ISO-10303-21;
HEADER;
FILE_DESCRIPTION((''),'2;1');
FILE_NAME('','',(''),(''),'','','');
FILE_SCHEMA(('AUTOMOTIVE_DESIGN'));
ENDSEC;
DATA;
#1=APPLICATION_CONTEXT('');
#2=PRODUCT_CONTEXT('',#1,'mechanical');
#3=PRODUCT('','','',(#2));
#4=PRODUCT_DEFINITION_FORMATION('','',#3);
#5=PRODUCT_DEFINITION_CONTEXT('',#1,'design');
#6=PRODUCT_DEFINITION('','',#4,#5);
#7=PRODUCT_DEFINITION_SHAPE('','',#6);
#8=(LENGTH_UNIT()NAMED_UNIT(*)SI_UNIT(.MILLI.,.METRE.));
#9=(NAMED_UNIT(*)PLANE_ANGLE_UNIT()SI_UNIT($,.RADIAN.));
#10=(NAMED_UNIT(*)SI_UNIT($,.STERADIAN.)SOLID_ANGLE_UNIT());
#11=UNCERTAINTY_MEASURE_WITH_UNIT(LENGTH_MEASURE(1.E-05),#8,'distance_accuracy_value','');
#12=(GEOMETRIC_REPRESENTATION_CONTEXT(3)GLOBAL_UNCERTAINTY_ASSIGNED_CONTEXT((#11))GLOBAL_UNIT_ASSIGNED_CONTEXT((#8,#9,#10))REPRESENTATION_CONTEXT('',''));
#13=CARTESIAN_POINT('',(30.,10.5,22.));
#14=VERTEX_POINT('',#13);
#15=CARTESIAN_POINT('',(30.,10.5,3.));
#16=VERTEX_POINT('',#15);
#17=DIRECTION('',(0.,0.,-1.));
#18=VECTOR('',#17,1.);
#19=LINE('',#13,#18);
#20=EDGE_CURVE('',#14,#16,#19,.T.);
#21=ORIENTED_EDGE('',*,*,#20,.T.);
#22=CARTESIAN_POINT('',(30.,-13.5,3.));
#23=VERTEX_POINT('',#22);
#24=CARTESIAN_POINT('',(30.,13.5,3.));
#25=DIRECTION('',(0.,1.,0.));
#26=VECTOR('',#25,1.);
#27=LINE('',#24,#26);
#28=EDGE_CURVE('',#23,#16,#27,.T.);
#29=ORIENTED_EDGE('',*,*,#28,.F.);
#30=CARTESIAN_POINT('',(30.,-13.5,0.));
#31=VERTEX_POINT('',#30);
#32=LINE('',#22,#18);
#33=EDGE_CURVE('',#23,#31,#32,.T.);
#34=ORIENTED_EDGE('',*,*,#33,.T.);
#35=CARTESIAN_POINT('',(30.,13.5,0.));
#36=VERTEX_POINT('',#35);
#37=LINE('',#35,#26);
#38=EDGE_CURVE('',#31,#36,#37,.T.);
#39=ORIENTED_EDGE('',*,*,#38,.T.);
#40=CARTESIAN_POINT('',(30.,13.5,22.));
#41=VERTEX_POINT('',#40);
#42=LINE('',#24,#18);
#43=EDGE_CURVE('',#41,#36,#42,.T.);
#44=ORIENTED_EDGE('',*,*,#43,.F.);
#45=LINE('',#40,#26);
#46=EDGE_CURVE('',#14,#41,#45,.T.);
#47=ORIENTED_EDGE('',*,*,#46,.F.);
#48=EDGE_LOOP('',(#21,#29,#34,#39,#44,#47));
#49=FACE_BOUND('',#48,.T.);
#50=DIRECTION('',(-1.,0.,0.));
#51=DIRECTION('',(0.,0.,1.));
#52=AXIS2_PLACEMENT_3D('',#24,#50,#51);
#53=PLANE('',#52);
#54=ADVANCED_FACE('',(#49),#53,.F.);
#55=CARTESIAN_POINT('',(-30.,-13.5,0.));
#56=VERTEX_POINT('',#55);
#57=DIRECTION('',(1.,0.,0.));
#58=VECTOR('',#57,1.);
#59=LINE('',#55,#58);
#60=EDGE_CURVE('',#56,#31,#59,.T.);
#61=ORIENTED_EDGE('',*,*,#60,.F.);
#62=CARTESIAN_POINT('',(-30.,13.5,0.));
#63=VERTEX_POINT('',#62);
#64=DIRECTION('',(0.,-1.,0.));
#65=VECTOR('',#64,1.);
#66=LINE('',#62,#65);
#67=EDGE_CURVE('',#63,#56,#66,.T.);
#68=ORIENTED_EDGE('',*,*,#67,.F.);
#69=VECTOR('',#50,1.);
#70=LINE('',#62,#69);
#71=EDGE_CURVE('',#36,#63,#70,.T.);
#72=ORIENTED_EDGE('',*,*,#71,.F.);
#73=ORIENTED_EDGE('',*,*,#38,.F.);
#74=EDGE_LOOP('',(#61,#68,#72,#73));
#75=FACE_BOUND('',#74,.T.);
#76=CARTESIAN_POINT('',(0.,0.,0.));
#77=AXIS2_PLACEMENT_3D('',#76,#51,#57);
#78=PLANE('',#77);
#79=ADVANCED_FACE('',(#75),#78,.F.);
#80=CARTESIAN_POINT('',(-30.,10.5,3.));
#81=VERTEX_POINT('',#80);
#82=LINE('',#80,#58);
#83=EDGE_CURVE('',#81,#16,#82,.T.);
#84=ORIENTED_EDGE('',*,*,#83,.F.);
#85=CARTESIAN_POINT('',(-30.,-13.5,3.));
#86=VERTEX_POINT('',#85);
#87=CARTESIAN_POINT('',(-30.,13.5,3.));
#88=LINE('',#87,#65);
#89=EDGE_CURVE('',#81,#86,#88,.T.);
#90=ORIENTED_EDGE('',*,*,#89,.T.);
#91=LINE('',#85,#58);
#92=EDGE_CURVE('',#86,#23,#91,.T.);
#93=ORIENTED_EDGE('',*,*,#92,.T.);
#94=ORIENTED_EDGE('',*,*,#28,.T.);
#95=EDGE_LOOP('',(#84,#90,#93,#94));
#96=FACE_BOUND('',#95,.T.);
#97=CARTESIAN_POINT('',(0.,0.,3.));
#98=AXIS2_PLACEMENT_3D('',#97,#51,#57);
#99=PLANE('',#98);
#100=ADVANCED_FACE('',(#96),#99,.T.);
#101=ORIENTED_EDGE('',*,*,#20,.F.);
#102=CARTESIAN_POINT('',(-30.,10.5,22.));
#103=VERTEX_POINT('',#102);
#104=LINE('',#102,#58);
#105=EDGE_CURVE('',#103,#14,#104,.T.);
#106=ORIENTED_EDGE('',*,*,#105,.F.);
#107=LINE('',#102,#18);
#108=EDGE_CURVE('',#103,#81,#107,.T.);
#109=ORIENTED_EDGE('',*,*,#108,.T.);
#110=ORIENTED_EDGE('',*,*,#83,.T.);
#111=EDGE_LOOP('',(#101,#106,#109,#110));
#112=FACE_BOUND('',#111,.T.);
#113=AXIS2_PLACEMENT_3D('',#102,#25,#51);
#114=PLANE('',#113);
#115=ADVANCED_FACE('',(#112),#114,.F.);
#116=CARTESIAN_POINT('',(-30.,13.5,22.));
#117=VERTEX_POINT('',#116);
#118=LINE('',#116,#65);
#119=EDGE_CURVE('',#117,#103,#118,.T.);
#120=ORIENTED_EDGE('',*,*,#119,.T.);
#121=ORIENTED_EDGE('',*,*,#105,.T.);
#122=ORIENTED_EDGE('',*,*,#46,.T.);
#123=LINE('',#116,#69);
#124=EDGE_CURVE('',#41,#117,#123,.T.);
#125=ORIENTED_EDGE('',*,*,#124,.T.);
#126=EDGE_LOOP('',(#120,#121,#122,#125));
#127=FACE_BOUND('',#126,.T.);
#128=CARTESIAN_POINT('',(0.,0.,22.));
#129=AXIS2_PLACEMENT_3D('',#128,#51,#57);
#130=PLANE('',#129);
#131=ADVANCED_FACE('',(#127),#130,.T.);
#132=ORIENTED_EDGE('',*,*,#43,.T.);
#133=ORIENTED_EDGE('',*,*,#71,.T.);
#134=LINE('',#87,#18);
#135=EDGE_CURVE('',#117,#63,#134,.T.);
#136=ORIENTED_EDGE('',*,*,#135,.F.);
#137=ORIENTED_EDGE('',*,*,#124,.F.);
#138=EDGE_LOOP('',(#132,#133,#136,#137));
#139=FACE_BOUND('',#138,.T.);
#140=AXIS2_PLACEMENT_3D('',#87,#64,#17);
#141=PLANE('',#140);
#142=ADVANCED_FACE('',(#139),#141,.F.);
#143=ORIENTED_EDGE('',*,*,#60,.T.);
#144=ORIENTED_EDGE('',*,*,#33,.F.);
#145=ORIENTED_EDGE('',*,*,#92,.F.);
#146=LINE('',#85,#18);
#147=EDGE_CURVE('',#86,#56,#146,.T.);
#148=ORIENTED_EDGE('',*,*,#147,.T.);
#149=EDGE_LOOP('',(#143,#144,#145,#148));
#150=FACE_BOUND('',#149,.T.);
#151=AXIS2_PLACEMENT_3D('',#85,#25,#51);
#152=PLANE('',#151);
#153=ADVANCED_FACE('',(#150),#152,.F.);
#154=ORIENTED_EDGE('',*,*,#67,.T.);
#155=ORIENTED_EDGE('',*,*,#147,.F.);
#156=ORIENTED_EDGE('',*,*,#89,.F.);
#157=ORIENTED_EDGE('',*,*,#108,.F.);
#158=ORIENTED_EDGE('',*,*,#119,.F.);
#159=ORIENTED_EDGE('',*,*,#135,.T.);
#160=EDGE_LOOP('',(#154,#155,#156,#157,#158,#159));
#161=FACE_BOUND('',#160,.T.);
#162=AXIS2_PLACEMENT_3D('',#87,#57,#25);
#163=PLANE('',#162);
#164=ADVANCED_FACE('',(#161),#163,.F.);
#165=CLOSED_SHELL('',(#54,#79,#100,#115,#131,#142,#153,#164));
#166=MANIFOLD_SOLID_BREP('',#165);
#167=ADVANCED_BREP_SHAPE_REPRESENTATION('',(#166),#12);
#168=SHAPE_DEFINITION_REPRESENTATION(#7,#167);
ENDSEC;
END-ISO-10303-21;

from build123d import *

# Parameters (mm, degrees)
SKETCH_1_W      = 60
SKETCH_1_H      = 27
EXTRUDE_1_DEPTH = 3
SKETCH_2_W      = 60
SKETCH_2_H      = 3
EXTRUDE_2_DEPTH = 19


with BuildPart() as part:
    # 스케치1 → 보스-돌출1 (new body)
    with BuildSketch(Plane.XY):
        Rectangle(SKETCH_1_W, SKETCH_1_H)
    extrude(amount=EXTRUDE_1_DEPTH)

    # 스케치2 → 보스-돌출2 (add)
    with BuildSketch(Plane.XY.offset(3)):
        with Locations((0, 12)):
            Rectangle(SKETCH_2_W, SKETCH_2_H)
    extrude(amount=EXTRUDE_2_DEPTH)


solid = part.part
